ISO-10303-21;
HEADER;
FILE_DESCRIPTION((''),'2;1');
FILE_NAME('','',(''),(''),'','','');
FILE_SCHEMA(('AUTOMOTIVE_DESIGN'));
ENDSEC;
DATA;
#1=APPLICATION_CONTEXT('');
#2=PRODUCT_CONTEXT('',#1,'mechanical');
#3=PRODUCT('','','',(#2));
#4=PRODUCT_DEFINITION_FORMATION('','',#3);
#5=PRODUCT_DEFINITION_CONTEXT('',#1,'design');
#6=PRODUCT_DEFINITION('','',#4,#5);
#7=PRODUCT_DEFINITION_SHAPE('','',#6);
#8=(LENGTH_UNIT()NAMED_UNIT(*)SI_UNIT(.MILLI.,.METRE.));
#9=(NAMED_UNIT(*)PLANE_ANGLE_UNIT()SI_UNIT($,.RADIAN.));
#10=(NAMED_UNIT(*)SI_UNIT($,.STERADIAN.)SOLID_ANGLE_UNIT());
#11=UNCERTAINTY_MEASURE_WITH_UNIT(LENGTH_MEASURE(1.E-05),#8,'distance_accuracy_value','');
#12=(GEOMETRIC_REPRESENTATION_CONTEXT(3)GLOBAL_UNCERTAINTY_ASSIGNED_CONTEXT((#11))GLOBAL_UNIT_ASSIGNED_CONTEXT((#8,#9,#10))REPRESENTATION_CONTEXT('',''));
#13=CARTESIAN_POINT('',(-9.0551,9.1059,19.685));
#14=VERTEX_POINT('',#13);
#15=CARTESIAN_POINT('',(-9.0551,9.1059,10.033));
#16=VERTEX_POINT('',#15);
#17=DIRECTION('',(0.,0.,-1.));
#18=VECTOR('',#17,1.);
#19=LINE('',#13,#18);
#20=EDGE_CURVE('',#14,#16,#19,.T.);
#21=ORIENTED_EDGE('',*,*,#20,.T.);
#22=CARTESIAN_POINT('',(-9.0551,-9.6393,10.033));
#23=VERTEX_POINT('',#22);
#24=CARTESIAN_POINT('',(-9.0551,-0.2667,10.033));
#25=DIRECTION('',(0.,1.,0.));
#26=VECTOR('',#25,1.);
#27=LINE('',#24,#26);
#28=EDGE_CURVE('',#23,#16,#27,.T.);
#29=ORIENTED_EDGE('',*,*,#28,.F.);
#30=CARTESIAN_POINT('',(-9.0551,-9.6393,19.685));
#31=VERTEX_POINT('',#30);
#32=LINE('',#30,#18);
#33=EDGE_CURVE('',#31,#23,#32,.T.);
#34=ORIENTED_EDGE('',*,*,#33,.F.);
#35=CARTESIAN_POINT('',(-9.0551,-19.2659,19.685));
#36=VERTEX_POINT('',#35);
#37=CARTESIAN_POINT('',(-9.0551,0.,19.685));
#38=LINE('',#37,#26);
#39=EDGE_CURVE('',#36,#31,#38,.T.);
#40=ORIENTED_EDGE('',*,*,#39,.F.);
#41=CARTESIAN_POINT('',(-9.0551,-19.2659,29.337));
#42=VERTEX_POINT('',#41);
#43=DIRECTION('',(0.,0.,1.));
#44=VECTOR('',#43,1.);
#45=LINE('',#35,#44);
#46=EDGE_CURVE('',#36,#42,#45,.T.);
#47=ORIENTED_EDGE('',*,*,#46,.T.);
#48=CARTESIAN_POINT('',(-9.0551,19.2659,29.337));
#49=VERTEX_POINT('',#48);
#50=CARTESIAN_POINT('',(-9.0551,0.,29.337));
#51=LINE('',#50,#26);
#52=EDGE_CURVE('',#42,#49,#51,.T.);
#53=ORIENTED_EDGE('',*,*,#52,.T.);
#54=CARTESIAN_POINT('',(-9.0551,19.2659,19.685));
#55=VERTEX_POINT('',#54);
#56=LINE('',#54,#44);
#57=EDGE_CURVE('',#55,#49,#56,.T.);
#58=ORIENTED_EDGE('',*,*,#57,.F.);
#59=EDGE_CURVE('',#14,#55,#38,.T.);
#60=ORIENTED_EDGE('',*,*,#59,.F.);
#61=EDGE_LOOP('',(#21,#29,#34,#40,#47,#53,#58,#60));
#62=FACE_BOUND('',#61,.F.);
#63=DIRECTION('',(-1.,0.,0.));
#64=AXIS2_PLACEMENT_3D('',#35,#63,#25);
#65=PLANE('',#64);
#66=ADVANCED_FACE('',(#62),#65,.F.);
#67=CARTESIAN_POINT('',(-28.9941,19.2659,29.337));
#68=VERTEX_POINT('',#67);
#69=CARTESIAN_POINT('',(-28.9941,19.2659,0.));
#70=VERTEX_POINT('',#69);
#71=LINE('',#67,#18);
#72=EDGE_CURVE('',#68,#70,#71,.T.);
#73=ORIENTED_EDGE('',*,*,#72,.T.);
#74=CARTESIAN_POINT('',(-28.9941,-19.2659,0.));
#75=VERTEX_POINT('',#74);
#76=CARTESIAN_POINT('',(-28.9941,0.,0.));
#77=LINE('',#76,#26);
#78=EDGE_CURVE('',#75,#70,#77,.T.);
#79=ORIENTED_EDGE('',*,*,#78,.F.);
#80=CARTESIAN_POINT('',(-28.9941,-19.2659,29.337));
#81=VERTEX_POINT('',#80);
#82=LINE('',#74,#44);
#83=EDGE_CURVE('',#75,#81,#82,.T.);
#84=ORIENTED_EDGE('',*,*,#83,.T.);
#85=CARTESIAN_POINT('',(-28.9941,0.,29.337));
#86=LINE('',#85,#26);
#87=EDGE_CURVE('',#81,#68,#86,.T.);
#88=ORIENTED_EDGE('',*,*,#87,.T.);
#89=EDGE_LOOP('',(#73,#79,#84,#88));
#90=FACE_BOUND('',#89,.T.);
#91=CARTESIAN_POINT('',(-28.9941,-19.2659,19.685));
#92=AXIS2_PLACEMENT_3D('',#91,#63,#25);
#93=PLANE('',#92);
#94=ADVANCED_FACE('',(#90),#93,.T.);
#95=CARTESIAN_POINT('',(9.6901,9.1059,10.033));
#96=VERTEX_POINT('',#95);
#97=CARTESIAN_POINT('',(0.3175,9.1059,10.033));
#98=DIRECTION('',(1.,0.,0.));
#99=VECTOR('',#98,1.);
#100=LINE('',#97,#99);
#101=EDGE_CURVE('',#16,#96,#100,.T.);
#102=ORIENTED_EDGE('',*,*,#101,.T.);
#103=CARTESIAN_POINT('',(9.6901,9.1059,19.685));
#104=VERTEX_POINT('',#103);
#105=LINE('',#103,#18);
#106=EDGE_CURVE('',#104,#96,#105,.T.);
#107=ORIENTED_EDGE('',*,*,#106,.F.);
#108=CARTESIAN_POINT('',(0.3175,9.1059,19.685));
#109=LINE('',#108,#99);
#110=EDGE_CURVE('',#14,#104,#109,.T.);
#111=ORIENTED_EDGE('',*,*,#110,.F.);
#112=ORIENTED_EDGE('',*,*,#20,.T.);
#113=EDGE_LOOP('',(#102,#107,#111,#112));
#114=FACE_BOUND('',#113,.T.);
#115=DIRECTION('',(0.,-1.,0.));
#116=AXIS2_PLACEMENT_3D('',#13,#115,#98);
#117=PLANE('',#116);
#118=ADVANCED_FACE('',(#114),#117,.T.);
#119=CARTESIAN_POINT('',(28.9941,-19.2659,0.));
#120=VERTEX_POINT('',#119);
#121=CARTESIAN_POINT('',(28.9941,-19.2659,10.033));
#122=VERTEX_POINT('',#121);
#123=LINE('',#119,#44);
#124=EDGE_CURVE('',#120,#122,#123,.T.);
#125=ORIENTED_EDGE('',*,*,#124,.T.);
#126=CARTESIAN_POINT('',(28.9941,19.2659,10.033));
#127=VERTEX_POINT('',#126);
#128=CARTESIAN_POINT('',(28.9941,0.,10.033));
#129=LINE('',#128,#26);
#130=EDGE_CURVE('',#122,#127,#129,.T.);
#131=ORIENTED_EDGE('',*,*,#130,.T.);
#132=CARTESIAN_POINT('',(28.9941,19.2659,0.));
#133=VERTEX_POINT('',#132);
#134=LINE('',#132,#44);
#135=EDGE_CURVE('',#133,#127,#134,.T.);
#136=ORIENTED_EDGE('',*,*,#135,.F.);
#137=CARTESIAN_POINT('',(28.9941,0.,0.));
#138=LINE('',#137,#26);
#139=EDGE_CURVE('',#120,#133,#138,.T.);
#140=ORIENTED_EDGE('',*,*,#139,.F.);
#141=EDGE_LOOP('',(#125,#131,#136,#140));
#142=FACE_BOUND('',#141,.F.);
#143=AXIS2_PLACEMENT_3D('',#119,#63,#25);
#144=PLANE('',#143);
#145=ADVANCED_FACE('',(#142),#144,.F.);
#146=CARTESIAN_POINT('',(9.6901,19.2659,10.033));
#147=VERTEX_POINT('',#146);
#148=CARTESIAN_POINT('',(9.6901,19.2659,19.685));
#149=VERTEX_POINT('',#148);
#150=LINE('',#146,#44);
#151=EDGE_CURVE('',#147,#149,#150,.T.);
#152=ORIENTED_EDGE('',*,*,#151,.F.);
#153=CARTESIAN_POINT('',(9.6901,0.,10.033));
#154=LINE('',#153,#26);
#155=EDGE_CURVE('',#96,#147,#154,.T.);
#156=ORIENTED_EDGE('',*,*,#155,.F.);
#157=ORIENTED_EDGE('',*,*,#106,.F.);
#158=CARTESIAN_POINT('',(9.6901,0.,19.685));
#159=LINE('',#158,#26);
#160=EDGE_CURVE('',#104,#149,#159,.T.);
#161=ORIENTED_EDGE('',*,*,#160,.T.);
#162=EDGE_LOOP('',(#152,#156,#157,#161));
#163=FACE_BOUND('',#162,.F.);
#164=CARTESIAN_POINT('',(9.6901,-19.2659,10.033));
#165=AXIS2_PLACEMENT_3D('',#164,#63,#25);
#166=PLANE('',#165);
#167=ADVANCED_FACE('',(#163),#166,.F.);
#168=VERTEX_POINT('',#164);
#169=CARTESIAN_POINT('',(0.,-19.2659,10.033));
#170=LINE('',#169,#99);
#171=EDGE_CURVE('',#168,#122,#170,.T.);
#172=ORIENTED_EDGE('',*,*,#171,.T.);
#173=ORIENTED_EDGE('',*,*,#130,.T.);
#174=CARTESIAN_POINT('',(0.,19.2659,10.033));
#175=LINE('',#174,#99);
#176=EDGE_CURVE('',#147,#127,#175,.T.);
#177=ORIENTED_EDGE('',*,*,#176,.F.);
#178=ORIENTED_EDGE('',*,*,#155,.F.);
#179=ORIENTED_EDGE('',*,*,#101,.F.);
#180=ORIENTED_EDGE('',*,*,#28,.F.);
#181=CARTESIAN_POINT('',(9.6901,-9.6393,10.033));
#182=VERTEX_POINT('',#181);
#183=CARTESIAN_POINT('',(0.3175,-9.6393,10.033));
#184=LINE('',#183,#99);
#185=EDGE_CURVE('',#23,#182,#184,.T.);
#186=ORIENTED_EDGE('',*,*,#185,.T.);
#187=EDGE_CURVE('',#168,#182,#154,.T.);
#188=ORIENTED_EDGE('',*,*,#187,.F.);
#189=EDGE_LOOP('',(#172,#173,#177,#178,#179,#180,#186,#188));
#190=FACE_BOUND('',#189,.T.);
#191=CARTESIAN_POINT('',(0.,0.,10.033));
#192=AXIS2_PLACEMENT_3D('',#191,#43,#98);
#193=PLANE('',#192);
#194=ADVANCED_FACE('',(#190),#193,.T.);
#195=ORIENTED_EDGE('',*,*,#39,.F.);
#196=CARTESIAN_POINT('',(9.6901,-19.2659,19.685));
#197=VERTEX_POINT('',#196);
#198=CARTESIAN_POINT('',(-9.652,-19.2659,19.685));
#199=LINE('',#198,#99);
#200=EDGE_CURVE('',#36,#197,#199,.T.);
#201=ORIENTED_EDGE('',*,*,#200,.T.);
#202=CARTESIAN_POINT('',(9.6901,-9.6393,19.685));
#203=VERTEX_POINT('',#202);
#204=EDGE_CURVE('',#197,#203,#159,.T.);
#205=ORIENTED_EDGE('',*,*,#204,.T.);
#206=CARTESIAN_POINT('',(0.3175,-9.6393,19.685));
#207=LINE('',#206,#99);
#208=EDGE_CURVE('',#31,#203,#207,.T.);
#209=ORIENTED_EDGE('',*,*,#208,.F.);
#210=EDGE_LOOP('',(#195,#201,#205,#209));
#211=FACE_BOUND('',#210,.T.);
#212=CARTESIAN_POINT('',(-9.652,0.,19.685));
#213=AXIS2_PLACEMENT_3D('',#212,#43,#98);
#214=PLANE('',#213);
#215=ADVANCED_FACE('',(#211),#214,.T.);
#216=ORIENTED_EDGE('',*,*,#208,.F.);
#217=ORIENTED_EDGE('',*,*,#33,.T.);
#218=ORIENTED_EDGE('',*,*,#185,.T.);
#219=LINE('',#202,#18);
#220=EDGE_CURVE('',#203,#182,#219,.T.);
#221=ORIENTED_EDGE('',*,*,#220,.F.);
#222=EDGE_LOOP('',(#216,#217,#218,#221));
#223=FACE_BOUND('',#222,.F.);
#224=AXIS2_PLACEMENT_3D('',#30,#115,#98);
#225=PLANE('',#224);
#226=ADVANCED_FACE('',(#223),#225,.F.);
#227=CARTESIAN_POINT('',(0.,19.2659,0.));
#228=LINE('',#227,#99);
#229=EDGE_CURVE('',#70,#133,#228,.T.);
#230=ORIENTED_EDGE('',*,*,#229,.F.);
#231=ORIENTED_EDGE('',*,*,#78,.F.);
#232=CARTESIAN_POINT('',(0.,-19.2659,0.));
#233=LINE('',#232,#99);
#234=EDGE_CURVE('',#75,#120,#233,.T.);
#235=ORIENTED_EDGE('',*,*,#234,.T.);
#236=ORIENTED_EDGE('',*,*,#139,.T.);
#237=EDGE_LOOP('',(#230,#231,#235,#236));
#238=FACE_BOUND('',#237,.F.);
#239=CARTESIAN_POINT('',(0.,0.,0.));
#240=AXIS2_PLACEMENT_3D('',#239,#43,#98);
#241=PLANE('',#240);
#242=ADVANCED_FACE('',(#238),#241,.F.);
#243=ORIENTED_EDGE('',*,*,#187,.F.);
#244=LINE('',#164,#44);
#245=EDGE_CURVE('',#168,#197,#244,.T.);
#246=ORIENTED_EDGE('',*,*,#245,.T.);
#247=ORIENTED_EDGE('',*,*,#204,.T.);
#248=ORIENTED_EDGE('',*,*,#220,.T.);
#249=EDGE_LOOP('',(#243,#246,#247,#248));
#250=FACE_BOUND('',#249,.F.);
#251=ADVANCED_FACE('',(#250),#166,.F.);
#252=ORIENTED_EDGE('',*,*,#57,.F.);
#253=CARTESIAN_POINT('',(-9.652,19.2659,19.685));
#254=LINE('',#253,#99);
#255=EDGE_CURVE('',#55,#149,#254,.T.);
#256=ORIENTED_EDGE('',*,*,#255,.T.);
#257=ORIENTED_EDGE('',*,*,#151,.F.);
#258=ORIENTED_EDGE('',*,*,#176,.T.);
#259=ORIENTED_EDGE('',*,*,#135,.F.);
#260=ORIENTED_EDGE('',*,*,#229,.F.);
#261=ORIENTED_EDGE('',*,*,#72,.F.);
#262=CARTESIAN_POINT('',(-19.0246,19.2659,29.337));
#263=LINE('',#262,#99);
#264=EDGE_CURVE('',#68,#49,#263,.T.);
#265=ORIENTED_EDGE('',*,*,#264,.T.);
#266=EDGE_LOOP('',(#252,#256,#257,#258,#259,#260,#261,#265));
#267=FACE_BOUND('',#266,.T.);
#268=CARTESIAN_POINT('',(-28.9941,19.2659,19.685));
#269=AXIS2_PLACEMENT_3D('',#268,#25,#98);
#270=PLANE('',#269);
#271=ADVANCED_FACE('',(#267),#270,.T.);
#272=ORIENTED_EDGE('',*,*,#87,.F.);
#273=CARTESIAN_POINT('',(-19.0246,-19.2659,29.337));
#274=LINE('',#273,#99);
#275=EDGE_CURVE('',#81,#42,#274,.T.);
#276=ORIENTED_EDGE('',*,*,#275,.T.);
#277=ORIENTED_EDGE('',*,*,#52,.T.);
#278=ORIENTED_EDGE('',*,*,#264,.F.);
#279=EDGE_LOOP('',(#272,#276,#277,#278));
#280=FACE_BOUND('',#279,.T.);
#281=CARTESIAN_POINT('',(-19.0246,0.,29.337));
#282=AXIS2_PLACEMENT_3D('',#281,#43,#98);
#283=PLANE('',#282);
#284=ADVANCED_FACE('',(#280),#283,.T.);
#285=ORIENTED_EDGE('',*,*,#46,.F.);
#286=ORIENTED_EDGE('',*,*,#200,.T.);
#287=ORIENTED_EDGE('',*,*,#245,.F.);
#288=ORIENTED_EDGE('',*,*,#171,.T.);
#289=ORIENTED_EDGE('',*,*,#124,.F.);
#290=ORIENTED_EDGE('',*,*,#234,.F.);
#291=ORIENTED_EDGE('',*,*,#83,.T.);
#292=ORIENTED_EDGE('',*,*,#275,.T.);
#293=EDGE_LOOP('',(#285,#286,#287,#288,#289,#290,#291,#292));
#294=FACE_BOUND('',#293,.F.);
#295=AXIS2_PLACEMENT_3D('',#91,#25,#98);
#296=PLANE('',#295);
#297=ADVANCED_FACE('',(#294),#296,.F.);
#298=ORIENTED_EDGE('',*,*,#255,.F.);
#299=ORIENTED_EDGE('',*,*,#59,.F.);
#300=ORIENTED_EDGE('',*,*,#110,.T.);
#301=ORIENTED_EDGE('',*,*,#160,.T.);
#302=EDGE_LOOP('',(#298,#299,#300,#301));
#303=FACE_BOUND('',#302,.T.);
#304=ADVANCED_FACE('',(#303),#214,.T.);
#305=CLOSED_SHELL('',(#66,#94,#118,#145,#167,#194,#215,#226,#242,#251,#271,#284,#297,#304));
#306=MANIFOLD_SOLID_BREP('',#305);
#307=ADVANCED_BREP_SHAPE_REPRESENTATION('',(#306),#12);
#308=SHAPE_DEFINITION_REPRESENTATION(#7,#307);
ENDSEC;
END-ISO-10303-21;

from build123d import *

# Parameters (mm, degrees)
F0_W     = 57.9882
F0_H     = 38.5318
F1_DEPTH = 10.033
F2_W     = 38.6842
F2_H     = 38.5318
F3_DEPTH = 9.652
F4_W     = 18.7452
F4_H     = 18.7452
F5_DEPTH = 9.652
F6_W     = 19.939
F6_H     = 38.5318
F7_DEPTH = 9.652


with BuildPart() as f1:
    # F0 (on Top) → F1 (new body)
    with BuildSketch(Plane.XY):
        Rectangle(F0_W, F0_H)
    extrude(amount=F1_DEPTH)

    # F2 (on face) → F3 (join)
    with BuildSketch(Plane.XY.offset(10.033)):
        with Locations((-9.652, 0)):
            Rectangle(F2_W, F2_H)
    extrude(amount=F3_DEPTH)

    # F4 (on face) → F5 (cut)
    with BuildSketch(Plane.XY.offset(19.685)):
        with Locations((0.3175, -0.2667)):
            Rectangle(F4_W, F4_H)
    extrude(amount=-F5_DEPTH, mode=Mode.SUBTRACT)

    # F6 (on face) → F7 (join)
    with BuildSketch(Plane.XY.offset(19.685)):
        with Locations((-19.0246, 0)):
            Rectangle(F6_W, F6_H)
    extrude(amount=F7_DEPTH)


solid = f1.part
